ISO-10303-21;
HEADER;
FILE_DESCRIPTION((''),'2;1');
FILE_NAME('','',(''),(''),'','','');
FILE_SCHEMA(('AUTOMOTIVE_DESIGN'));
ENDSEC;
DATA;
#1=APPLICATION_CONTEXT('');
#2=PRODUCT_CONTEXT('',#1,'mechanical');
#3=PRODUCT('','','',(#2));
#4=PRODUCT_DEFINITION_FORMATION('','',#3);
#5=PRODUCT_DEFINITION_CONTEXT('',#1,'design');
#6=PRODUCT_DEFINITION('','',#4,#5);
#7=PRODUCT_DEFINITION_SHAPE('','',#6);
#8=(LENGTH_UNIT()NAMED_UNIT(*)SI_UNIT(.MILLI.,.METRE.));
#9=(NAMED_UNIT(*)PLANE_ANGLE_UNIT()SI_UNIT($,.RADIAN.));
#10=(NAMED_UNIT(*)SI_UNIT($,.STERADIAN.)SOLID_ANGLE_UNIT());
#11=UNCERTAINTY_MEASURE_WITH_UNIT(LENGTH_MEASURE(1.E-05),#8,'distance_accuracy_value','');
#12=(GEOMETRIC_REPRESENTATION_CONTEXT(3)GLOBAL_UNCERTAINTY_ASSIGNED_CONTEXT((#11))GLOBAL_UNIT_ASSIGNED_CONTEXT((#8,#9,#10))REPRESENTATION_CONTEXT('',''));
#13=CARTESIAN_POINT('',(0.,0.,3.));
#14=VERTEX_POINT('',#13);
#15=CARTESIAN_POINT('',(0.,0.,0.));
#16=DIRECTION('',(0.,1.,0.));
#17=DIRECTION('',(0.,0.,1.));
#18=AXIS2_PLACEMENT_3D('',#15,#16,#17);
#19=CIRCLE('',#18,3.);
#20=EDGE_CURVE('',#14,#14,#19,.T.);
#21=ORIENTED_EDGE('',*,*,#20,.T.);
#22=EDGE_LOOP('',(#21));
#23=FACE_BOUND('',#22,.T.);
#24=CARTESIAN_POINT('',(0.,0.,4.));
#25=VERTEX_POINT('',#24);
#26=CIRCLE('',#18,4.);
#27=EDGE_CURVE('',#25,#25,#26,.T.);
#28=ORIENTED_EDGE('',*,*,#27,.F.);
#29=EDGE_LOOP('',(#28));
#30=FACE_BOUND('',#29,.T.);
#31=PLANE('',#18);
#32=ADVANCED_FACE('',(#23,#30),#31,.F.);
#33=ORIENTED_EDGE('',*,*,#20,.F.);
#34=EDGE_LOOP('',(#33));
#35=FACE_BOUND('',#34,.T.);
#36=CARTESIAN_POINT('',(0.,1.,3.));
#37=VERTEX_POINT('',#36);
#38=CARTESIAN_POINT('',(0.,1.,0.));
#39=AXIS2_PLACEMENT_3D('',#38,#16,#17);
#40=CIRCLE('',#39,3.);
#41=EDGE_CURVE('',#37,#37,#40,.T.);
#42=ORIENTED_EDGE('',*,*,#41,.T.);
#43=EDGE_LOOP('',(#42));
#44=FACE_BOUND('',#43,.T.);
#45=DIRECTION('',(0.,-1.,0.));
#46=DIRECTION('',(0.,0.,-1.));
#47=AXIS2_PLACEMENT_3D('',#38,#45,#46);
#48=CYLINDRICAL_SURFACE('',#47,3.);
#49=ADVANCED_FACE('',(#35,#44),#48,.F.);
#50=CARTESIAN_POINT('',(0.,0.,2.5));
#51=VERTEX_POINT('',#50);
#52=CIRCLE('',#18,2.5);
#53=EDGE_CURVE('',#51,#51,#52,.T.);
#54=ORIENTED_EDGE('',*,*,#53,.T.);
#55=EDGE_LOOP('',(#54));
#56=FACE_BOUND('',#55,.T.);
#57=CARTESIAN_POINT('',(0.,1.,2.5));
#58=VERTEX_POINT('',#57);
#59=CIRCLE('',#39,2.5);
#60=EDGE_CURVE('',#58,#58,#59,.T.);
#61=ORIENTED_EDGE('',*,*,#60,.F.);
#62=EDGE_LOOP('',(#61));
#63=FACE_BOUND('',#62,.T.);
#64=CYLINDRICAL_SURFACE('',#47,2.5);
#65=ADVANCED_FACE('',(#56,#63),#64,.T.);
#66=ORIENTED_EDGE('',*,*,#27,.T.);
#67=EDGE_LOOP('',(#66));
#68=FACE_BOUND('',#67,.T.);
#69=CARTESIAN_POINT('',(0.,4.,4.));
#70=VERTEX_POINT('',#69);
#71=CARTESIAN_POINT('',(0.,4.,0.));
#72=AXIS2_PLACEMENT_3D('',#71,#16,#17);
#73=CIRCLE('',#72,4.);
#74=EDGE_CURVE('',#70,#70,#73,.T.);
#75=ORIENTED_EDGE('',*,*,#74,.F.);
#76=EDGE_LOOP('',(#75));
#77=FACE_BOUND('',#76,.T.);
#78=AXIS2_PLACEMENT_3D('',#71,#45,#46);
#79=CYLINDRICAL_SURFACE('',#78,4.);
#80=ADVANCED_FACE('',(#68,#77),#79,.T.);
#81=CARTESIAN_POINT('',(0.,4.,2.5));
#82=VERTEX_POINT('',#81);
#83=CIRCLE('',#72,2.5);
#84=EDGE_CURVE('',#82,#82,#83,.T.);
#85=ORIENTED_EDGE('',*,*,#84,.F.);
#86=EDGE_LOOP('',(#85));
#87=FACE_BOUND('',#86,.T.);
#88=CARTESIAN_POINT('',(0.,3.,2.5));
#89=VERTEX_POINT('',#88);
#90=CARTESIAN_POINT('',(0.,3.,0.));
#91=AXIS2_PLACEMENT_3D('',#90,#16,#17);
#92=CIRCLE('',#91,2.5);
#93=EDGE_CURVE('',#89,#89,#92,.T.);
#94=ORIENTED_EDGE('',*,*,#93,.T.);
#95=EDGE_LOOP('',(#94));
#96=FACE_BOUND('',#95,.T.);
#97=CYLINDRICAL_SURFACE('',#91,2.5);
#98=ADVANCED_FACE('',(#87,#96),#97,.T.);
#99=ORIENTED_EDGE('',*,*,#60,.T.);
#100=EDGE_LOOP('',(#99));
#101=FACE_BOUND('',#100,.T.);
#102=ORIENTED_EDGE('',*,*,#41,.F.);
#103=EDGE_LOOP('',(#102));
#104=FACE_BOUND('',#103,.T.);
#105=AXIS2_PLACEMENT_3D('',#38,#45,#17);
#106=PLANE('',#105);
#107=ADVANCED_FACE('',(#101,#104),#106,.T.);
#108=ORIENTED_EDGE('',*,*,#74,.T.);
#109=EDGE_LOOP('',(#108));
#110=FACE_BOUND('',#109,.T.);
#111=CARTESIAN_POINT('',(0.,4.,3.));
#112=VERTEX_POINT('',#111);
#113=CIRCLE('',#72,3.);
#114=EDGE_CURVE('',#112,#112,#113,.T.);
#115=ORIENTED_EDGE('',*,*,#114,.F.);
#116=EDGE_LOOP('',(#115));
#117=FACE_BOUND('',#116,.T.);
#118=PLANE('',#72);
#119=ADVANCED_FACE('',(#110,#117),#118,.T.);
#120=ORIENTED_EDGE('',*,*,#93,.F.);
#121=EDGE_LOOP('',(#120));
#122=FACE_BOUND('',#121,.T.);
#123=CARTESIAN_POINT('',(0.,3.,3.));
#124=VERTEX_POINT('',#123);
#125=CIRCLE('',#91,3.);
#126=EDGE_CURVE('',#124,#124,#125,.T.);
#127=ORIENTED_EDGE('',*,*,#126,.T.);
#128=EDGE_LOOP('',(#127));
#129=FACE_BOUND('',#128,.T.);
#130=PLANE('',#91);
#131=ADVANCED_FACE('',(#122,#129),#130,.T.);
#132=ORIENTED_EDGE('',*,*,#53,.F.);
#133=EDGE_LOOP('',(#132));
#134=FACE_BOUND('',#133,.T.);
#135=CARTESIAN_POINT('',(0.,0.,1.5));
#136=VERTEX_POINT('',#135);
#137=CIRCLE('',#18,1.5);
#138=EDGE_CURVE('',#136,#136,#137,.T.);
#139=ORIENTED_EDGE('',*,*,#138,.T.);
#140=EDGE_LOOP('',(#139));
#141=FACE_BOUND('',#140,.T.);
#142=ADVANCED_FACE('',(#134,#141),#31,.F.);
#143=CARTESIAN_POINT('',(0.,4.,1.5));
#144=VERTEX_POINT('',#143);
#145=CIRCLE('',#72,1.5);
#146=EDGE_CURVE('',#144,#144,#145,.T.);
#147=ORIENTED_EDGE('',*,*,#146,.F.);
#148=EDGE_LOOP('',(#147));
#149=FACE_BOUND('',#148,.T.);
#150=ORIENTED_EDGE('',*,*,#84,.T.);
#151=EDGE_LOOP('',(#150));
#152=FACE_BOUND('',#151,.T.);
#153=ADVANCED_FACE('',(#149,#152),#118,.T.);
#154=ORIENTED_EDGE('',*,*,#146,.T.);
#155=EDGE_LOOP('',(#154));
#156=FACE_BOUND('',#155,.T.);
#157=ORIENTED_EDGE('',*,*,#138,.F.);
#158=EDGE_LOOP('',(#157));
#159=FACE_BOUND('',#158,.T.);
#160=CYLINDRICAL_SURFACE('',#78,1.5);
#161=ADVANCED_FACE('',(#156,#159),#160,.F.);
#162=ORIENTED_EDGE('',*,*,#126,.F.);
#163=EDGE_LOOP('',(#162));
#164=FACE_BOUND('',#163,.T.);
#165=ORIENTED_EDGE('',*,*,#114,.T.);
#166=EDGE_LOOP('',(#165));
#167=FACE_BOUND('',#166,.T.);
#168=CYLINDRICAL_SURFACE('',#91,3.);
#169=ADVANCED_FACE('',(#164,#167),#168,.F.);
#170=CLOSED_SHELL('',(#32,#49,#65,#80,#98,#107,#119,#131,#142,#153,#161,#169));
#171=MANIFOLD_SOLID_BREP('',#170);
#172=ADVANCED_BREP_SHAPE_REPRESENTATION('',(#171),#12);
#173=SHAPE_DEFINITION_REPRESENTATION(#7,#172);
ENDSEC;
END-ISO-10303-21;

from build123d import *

# Parameters (mm, degrees)
SKETCH_1_R          = 4
SKETCH_1_R_2        = 1.5
EXTRUDE_1_DEPTH     = 4
SKETCH_2_R          = 3
SKETCH_2_R_2        = 2.5
CUT_EXTRUDE_2_DEPTH = 1


with BuildPart() as part:
    # 草图1 → 凸台-拉伸1 (new body)
    with BuildSketch(Plane(origin=(0, 0, 0), x_dir=(1, 0, 0), z_dir=(0, 1, 0))):
        with Locations(Location((0, 0, 0), (0, 0, 270))):
            Circle(SKETCH_1_R)
        with Locations(Location((0, 0, 0), (0, 0, 270))):
            Circle(SKETCH_1_R_2, mode=Mode.SUBTRACT)
    extrude(amount=EXTRUDE_1_DEPTH)

    # 草图2 → 切除-拉伸2 (cut)
    with BuildSketch(Plane(origin=(0, 4, 0), x_dir=(1, 0, 0), z_dir=(0, 1, 0))):
        with Locations(Location((0, 0, 0), (0, 0, 270))):
            Circle(SKETCH_2_R)
        with Locations(Location((0, 0, 0), (0, 0, 270))):
            Circle(SKETCH_2_R_2, mode=Mode.SUBTRACT)
    cut_extrude_2 = extrude(amount=-CUT_EXTRUDE_2_DEPTH, mode=Mode.SUBTRACT)

    # 镜向1: 切除-拉伸2 across plane
    add(cut_extrude_2.mirror(Plane.ZX.offset(2)), mode=Mode.SUBTRACT)


solid = part.part
